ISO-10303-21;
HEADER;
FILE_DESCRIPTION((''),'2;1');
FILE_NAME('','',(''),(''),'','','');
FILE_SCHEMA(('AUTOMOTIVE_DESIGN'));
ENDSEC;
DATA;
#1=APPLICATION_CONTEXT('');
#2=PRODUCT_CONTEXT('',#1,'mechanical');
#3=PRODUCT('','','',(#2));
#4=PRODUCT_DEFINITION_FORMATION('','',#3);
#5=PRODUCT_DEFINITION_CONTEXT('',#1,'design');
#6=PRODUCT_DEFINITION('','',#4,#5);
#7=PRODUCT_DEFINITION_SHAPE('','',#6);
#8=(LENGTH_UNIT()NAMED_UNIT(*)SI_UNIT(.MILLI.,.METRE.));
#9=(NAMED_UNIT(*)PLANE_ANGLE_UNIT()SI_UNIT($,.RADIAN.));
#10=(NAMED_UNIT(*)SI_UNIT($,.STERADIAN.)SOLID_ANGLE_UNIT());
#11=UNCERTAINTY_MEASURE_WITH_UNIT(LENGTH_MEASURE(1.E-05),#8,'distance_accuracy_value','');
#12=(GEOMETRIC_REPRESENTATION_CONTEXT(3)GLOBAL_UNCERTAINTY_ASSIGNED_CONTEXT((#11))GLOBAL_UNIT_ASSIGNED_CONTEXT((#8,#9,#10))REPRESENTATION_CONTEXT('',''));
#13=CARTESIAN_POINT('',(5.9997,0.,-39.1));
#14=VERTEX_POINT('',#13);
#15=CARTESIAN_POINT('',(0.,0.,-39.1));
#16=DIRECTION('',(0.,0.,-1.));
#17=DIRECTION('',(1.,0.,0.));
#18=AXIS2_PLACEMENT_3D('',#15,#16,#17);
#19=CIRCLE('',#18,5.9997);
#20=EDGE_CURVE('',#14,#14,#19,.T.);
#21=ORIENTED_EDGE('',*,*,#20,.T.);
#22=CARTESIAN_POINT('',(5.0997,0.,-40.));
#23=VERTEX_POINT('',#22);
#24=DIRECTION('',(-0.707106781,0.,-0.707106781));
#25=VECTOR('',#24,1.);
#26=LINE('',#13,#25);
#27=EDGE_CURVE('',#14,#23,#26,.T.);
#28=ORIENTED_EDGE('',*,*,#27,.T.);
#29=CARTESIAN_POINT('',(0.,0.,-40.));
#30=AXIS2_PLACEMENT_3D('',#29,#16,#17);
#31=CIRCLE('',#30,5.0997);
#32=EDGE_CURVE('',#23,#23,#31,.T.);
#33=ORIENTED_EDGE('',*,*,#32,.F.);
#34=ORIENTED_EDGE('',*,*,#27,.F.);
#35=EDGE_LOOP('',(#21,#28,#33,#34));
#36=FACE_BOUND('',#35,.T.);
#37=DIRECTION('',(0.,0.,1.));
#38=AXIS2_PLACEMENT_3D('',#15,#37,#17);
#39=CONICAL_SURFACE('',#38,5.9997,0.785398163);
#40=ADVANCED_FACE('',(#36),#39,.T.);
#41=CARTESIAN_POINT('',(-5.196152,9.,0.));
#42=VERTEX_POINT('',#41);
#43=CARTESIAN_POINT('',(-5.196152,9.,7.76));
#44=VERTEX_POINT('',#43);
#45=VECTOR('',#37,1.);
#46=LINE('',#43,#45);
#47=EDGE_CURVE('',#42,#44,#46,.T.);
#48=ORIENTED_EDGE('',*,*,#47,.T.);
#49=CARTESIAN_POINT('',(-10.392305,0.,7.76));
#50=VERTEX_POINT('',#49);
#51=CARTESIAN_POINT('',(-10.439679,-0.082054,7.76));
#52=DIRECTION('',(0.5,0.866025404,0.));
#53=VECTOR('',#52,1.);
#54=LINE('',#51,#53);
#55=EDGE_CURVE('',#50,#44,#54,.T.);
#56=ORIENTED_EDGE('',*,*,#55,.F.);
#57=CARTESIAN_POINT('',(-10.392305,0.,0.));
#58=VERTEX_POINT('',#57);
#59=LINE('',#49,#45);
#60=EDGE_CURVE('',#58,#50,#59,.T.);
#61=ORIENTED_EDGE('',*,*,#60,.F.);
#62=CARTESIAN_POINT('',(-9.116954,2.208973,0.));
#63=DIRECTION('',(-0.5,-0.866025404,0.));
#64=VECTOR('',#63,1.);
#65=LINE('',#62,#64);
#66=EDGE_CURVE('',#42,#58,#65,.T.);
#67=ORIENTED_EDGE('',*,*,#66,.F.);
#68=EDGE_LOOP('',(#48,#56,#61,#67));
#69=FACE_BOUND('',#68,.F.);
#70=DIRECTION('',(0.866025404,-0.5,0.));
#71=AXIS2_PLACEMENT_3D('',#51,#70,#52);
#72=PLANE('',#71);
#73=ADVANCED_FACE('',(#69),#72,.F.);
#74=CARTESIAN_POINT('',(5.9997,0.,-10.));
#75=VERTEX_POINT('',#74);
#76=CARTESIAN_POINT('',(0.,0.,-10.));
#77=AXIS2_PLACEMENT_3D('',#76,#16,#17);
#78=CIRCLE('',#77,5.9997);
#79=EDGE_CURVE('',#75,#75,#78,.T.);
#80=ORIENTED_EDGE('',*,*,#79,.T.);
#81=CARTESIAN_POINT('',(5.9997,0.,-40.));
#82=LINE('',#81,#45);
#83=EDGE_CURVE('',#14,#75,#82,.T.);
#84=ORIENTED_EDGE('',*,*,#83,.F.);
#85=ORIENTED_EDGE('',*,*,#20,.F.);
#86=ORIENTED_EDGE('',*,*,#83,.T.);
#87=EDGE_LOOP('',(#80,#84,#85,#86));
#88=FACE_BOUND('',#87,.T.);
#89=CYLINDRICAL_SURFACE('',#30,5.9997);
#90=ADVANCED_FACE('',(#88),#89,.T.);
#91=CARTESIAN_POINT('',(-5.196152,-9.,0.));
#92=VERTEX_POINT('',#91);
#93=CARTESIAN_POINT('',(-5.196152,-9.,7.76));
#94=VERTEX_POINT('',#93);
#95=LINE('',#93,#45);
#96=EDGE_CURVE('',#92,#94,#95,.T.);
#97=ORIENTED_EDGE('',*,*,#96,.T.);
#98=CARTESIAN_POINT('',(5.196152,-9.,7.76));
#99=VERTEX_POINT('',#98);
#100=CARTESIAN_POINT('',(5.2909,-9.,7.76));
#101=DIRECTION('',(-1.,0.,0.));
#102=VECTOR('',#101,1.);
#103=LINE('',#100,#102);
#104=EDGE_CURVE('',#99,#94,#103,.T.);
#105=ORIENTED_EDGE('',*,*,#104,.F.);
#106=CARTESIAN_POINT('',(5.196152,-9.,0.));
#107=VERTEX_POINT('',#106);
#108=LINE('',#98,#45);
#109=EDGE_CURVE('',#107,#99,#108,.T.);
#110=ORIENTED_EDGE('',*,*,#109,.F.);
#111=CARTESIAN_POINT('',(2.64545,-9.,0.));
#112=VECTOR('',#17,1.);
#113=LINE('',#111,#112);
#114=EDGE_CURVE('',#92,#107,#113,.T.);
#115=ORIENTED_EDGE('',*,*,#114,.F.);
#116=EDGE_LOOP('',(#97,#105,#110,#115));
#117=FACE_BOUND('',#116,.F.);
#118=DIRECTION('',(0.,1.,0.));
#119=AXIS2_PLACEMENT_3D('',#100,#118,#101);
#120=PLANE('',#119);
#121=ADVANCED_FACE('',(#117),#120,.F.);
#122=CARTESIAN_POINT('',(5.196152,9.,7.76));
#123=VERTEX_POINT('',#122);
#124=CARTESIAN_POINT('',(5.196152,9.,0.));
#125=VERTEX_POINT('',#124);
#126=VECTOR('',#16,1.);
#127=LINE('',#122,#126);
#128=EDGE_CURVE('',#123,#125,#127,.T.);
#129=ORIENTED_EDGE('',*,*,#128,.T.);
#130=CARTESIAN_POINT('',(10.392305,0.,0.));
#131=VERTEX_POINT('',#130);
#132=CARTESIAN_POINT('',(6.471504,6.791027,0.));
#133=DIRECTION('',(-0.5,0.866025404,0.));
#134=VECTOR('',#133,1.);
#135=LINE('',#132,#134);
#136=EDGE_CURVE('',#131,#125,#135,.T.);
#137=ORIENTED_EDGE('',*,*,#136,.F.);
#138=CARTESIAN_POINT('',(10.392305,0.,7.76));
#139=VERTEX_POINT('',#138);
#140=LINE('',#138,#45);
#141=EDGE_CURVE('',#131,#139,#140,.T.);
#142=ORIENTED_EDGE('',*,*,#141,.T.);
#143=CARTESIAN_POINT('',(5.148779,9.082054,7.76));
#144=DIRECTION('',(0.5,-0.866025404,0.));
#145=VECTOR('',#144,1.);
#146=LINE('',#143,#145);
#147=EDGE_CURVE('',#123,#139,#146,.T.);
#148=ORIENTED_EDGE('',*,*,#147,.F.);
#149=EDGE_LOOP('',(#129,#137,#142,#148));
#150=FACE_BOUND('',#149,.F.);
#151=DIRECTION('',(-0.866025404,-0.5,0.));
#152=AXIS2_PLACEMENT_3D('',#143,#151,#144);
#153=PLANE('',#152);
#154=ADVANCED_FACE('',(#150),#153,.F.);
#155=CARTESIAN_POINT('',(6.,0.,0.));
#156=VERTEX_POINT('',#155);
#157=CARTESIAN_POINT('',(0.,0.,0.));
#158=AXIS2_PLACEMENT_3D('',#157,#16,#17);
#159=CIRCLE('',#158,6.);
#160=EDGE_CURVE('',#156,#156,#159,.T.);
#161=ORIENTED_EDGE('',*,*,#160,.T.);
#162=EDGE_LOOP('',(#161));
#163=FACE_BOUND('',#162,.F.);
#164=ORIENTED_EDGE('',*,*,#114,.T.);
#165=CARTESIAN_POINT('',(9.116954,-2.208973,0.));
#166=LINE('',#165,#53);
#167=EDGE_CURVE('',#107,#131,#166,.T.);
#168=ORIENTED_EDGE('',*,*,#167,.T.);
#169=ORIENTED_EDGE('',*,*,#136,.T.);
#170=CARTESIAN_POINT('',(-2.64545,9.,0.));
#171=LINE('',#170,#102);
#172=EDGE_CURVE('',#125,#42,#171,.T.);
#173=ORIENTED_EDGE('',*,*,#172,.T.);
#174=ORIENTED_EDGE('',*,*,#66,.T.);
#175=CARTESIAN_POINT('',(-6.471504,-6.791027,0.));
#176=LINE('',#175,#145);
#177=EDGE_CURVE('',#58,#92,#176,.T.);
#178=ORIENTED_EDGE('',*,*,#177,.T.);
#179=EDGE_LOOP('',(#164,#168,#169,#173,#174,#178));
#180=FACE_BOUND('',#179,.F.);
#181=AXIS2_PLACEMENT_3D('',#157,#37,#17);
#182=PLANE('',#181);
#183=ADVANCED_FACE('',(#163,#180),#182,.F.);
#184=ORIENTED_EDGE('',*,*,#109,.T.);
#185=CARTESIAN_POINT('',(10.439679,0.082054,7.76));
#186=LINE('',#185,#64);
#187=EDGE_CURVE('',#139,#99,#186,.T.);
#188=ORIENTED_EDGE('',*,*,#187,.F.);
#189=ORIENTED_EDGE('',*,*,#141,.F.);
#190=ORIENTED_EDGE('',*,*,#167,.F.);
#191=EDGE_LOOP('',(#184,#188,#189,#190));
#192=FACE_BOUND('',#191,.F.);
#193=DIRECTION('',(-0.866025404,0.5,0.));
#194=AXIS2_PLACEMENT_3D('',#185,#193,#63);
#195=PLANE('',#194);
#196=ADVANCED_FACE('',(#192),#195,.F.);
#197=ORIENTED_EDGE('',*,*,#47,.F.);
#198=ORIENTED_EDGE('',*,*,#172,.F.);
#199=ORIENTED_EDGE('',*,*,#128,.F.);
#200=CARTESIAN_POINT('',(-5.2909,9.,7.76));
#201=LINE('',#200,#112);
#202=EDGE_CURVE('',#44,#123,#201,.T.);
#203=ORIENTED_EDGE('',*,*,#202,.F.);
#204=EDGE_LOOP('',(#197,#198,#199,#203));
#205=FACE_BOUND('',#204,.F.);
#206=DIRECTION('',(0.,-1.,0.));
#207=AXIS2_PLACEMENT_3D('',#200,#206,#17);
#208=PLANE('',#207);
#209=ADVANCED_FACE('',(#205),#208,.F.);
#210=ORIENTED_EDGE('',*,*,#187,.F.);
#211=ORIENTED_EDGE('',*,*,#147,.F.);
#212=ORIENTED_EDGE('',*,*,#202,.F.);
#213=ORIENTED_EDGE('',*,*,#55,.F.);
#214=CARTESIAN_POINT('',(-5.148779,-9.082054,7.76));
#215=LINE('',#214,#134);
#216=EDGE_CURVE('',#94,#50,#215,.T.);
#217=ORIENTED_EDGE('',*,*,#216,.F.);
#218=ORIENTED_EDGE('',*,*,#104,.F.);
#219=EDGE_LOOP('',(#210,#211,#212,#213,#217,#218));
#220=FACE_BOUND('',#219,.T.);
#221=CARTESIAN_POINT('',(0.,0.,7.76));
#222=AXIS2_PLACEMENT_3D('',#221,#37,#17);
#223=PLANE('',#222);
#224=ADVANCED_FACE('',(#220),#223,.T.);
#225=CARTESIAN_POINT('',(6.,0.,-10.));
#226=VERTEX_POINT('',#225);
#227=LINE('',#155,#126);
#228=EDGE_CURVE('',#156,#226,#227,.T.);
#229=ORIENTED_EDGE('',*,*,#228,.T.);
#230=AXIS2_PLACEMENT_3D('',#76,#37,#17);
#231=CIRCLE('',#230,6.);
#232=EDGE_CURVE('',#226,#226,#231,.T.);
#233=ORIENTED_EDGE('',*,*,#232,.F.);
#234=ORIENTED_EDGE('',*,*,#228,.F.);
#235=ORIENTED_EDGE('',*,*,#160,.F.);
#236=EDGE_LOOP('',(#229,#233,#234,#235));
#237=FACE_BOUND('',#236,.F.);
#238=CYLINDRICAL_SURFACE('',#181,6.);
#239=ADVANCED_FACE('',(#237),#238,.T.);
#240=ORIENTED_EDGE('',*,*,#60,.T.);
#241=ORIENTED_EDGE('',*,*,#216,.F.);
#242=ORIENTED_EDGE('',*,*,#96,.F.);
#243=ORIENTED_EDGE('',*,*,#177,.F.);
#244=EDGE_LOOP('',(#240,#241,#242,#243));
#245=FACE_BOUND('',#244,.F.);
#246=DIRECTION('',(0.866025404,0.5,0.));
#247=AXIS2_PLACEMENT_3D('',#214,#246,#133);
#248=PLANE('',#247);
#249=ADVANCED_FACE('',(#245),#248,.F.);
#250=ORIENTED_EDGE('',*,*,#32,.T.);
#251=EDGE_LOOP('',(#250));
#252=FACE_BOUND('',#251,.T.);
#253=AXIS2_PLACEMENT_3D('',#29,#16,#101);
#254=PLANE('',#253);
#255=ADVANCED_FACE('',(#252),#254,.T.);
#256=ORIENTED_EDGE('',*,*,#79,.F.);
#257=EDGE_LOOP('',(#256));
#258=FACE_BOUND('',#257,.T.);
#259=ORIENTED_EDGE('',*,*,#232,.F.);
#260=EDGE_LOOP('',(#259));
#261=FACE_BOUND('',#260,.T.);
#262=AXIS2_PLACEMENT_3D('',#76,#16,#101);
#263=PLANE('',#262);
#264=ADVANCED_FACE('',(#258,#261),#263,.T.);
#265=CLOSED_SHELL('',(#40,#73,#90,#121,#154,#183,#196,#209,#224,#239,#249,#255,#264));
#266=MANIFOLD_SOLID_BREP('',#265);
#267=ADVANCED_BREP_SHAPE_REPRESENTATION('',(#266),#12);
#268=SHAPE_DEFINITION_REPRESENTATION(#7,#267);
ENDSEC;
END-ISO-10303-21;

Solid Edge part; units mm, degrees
sketch "Sketch1" plane through (0, 0, 0) normal (0, 0, 1) x (1, 0, 0)
  circle A0 centre (0, 0) radius 10.44
  dimension "D1" = 20.88
extrude "Protrusion1" add sketch "Sketch1" along normal blind 7.76
sketch "Sketch2" plane through (0, 0, 0) normal (0, 0, -1) x (1, 0, 0)
  circle A0 centre (0, 0) radius 6
extrude "Protrusion2" add sketch "Sketch2" along normal blind 40
sketch "Sketch3" plane through (0, 0, -40) normal (0, 0, -1) x (1, 0, 0)
  circle A0 centre (0, 0) radius 5.9997
extrude "Cutout1" cut sketch "Sketch3" against normal blind 30 flip side to cut
chamfer "Chamfer_1" distance 0.9 angle 45 1 edges at (-5.9997, 0, -40)
sketch "Sketch4" plane through (0, 0, 7.76) normal (0, 0, 1) x (1, 0, 0)
  line L0 (-5.2909, 9) -> (5.2909, 9)
  dimension "D1" = 18
extrude "Cutout2" cut sketch "Sketch4" against normal up to next material side at (0, 9.05, 7.76)
pattern_circular "Pattern1" count 6 over 360 about axis through (0, 0, 7.76) along (0, 0, 1) of "Cutout2"
properties part number "24104512"
